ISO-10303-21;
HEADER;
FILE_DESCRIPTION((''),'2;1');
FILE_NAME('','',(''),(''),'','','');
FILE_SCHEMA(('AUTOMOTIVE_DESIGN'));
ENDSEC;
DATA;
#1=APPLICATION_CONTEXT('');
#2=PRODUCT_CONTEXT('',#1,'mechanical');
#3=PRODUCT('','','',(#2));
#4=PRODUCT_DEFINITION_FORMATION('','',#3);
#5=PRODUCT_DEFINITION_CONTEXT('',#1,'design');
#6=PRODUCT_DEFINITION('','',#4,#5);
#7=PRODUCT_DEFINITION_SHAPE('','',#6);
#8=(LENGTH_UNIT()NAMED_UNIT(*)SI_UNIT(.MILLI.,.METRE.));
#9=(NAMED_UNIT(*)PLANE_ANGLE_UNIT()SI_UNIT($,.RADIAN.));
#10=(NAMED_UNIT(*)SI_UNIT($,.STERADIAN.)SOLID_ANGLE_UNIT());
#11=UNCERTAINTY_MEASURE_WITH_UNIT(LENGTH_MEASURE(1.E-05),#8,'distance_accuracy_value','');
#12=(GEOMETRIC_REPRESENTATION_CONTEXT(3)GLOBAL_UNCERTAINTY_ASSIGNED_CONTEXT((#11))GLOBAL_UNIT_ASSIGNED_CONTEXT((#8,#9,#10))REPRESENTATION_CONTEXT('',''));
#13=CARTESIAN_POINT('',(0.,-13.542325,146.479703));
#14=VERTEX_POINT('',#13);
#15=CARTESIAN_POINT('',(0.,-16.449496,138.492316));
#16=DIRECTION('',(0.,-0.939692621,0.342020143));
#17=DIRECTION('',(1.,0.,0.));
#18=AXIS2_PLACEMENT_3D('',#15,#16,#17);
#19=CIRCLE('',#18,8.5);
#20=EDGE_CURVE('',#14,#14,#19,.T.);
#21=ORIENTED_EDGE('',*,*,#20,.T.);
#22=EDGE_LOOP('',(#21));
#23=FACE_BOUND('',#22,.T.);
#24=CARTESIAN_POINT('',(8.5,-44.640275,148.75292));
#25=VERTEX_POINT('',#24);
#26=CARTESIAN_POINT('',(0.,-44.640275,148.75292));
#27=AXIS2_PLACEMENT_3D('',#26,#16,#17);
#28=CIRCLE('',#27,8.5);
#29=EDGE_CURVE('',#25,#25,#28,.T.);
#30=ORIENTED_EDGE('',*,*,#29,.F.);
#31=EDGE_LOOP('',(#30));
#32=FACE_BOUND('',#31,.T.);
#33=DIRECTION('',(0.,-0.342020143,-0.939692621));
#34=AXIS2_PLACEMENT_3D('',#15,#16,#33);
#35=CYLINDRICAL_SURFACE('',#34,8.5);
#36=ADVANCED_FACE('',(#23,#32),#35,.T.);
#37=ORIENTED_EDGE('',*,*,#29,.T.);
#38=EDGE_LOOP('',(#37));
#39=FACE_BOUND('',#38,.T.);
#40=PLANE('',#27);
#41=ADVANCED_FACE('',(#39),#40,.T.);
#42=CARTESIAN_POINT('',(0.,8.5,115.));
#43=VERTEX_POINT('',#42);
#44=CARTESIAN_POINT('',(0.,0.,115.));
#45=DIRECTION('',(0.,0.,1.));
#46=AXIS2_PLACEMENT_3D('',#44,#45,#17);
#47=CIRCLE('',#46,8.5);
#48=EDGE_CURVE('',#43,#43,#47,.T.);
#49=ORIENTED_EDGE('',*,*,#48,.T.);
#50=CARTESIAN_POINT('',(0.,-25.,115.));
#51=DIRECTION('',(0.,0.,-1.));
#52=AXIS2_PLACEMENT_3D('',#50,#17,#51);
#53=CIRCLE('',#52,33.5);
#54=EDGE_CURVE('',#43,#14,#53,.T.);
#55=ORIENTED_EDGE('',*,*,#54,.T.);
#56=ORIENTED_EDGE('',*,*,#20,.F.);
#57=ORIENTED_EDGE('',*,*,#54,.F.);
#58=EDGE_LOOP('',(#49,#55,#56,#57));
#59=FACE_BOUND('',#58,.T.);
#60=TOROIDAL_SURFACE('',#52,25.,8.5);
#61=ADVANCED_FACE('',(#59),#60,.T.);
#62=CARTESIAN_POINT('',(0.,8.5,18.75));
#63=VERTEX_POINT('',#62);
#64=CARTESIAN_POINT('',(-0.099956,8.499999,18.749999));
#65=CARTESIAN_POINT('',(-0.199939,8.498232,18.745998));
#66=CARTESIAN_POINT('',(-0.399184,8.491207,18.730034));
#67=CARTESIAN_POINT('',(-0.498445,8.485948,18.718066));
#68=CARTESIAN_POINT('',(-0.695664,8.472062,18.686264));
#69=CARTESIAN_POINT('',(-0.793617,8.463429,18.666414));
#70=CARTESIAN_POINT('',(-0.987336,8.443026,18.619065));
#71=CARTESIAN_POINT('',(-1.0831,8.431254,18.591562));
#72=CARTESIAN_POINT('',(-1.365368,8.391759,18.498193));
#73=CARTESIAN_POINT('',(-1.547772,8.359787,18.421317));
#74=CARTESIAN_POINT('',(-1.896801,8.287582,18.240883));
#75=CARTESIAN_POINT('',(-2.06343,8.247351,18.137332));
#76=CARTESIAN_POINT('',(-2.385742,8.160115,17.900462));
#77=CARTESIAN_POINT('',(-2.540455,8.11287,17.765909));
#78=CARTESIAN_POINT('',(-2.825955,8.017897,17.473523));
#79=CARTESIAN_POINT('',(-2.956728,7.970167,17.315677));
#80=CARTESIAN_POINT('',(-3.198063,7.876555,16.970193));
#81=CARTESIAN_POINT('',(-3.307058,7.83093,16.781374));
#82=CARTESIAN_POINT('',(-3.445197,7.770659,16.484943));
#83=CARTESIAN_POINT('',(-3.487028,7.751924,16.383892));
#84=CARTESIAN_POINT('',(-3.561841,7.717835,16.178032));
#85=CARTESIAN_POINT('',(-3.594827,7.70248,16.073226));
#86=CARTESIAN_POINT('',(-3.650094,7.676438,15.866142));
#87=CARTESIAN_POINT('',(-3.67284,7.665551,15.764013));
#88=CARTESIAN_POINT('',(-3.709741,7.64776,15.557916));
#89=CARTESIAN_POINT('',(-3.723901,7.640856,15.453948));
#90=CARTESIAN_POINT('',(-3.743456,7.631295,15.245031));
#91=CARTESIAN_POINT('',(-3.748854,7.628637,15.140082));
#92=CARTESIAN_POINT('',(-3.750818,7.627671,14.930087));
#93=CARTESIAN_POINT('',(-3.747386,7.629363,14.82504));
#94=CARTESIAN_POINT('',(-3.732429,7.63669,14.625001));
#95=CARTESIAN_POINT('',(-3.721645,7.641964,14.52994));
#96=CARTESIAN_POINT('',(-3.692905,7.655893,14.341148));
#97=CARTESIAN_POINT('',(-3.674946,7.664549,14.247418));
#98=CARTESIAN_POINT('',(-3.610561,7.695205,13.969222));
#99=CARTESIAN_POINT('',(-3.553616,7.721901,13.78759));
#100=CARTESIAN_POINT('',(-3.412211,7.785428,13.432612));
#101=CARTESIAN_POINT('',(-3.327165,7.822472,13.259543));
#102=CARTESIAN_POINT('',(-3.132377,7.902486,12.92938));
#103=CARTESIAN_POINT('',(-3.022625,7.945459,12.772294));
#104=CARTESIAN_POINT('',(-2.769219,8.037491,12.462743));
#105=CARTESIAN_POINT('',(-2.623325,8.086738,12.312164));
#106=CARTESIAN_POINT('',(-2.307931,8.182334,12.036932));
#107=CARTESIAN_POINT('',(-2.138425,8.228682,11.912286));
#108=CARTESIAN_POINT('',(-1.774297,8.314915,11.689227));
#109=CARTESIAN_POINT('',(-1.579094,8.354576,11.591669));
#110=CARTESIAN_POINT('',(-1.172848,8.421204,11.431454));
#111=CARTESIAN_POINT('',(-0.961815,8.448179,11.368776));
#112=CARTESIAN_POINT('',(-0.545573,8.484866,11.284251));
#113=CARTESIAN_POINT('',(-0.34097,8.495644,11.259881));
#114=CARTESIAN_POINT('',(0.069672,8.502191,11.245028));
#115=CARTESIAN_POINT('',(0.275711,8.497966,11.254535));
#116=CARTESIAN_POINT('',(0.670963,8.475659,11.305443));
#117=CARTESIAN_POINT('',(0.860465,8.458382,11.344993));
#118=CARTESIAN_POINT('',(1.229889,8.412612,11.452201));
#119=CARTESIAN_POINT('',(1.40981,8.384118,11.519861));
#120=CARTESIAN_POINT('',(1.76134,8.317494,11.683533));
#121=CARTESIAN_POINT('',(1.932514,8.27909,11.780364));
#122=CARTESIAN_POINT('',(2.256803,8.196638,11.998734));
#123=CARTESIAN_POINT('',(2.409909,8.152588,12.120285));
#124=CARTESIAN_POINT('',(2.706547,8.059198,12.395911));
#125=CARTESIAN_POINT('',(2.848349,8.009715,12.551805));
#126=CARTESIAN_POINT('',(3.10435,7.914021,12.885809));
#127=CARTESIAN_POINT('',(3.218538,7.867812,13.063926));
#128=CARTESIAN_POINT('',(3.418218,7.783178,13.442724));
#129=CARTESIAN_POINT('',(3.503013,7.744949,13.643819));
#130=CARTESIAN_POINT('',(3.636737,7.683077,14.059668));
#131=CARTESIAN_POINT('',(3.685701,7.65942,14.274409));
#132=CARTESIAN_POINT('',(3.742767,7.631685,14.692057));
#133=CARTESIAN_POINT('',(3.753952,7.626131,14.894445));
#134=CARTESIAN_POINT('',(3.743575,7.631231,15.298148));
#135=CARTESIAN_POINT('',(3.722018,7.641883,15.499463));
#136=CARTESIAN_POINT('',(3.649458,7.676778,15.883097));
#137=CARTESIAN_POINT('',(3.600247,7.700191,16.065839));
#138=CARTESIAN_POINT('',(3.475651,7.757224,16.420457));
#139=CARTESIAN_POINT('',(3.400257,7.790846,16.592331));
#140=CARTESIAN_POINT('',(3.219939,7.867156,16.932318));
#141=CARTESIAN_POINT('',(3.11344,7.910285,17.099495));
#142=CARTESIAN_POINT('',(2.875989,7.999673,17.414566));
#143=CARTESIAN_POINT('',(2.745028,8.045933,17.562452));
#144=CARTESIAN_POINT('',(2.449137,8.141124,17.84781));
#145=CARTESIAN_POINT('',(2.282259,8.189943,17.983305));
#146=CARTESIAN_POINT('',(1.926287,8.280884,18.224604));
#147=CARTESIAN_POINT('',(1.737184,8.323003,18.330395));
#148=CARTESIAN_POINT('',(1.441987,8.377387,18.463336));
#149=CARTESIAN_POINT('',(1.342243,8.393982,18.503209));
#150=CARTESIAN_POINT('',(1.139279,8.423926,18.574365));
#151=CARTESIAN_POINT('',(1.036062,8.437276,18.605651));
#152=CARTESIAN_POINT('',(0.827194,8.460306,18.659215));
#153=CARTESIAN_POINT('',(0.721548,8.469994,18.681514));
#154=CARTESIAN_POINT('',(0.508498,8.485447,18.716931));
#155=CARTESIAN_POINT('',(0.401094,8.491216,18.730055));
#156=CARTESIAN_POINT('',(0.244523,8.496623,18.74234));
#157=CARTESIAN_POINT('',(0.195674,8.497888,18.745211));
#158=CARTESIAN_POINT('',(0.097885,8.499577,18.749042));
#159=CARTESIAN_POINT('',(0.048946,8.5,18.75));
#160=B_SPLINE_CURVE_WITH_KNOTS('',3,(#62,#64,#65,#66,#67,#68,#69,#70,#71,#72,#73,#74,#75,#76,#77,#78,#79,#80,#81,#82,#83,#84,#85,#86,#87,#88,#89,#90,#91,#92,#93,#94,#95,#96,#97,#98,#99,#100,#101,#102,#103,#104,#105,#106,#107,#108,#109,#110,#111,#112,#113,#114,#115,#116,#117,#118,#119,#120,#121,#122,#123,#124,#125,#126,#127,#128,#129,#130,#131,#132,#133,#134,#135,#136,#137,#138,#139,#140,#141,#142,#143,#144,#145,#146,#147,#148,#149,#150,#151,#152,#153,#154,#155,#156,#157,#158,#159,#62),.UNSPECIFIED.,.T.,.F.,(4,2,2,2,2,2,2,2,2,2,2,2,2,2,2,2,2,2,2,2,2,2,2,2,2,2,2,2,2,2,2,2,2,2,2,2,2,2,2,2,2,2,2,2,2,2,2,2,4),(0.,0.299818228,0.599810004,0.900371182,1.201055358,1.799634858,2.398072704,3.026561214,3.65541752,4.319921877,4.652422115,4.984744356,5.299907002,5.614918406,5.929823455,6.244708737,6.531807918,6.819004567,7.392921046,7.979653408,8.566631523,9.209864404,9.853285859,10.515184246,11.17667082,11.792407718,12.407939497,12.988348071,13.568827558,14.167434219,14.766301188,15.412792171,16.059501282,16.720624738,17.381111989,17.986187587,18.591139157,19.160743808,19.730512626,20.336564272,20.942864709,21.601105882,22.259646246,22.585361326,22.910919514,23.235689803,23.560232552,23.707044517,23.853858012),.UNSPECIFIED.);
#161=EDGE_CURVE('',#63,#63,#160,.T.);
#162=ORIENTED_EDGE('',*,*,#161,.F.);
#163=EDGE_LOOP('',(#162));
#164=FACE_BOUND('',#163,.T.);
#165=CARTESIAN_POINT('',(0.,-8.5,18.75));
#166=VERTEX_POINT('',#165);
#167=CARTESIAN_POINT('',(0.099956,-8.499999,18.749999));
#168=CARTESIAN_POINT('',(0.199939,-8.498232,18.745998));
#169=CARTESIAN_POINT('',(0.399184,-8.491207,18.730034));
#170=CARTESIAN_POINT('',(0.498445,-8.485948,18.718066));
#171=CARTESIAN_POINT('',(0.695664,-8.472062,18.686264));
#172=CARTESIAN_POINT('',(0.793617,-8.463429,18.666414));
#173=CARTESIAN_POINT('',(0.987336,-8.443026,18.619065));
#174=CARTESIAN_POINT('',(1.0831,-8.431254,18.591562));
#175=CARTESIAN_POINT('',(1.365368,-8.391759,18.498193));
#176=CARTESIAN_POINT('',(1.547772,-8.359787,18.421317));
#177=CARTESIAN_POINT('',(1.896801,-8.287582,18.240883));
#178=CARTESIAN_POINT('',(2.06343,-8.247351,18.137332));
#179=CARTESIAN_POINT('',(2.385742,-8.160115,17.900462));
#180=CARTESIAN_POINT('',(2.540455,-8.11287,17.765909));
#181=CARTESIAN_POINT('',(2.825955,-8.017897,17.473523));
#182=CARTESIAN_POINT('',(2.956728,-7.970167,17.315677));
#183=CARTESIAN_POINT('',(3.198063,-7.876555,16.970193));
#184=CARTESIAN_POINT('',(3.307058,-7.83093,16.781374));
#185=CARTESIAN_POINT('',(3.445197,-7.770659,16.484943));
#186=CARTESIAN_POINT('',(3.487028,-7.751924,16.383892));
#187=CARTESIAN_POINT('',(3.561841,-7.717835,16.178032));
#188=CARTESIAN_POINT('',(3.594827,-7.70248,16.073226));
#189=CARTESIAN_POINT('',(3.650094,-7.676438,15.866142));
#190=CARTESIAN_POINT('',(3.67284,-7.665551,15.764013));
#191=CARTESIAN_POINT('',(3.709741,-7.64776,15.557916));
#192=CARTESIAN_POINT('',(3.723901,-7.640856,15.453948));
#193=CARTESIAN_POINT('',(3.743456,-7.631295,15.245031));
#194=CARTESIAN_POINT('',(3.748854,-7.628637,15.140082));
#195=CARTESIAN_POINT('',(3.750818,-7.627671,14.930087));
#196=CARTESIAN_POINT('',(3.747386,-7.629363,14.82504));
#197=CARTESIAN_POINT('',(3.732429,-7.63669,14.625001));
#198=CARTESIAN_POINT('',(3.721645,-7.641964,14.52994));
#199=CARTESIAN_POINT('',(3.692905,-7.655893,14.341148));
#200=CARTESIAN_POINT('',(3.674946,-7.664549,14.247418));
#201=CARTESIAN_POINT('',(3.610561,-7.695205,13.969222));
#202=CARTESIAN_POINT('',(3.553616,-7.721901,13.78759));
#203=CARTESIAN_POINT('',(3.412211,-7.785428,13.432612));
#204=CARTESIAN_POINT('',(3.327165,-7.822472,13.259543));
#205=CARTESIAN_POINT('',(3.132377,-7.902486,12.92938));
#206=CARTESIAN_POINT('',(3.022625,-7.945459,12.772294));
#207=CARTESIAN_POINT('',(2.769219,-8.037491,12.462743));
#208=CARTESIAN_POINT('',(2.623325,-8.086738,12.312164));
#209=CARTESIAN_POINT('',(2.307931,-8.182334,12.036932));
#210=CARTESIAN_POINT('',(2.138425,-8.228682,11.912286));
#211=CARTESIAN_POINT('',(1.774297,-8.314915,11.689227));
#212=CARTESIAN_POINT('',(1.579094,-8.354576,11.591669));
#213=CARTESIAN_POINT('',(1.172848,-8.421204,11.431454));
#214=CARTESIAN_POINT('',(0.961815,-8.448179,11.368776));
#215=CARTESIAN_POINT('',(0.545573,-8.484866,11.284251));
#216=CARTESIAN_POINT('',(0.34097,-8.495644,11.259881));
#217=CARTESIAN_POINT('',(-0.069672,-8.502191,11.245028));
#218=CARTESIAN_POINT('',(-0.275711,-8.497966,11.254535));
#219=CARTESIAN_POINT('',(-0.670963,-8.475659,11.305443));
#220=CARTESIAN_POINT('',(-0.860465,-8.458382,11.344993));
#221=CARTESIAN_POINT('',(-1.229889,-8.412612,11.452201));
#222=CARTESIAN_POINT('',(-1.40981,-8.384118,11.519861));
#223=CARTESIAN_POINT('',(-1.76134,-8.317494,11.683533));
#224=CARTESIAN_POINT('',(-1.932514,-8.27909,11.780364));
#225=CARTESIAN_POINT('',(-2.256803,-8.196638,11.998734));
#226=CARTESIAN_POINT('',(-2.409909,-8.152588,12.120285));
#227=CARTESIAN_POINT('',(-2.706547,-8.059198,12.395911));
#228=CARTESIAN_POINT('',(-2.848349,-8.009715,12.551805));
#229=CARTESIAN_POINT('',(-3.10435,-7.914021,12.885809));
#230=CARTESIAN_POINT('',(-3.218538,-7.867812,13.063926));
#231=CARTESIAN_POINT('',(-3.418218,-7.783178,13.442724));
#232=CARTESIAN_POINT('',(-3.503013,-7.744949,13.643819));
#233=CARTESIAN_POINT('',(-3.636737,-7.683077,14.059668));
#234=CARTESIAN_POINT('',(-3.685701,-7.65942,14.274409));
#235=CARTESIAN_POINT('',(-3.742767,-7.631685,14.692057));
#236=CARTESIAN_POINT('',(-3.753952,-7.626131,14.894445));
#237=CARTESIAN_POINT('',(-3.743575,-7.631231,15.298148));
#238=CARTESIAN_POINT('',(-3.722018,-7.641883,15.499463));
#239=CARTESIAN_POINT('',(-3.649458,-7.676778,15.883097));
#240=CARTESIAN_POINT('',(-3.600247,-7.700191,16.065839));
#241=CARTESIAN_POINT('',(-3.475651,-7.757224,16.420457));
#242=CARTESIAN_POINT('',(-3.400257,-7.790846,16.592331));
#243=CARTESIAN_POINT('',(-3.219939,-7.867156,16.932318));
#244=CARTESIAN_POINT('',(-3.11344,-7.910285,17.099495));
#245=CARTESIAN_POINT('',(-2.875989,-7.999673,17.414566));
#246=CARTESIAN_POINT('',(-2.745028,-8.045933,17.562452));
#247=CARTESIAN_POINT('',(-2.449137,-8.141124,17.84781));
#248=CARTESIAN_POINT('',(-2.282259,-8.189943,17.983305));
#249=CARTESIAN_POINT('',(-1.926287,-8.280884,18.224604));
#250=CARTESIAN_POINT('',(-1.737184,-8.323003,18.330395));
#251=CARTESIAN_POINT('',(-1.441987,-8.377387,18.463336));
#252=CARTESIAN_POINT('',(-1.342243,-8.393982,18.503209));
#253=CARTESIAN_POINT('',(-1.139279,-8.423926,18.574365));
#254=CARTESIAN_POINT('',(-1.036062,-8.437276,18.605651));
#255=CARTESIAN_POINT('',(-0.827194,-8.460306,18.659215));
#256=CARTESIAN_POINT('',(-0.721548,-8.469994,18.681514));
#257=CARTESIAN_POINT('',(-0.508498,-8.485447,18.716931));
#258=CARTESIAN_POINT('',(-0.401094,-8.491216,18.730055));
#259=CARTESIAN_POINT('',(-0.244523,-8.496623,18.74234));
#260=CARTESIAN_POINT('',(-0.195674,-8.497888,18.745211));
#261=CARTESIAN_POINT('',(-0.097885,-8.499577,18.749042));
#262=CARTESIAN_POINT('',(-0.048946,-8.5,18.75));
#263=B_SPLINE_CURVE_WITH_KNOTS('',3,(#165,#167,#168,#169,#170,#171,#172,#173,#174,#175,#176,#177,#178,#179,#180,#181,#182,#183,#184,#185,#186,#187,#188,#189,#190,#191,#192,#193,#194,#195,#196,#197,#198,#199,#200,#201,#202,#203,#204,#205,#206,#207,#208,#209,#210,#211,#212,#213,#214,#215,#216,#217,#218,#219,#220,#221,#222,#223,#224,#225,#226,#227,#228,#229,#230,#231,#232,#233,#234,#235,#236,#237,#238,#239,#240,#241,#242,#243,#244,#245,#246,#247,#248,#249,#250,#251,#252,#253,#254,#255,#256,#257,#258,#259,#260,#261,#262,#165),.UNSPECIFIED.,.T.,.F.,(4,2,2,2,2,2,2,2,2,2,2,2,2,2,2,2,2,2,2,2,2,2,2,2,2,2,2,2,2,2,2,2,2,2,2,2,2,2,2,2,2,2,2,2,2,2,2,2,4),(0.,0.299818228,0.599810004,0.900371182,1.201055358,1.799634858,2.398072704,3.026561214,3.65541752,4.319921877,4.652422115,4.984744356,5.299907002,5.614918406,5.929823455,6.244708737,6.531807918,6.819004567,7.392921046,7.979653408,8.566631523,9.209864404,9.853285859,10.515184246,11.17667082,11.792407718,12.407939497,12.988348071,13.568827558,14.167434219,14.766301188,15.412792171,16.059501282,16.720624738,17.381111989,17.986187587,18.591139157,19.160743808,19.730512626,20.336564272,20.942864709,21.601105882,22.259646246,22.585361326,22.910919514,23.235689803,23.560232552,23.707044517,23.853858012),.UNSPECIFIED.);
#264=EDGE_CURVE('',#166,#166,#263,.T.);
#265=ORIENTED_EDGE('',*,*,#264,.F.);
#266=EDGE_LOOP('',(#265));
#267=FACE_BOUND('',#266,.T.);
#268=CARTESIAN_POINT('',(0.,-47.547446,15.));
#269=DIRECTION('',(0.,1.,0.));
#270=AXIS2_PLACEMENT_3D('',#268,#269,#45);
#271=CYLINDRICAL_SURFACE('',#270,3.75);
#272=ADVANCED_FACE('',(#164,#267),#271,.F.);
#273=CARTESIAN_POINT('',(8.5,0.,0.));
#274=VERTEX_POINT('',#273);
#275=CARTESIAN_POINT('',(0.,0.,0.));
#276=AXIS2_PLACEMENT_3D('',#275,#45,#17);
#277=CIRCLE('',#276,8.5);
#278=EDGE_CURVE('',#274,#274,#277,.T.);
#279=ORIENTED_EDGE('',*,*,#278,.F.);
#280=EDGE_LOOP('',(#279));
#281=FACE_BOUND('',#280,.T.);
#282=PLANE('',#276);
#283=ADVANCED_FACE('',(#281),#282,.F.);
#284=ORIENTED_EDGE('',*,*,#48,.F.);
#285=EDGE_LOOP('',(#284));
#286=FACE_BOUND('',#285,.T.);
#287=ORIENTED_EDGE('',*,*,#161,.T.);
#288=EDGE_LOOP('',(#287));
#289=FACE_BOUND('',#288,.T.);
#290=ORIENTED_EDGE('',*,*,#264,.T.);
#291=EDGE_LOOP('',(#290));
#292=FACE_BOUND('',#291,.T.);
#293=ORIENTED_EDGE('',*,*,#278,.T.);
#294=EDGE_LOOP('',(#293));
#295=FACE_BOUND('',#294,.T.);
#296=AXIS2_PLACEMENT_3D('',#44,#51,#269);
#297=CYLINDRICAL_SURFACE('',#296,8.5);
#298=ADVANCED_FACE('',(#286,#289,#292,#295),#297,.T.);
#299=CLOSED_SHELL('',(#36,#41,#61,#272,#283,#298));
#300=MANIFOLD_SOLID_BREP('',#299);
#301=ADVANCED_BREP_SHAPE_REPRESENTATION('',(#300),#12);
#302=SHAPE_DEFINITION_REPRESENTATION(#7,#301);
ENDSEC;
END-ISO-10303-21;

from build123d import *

# Parameters (mm, degrees)
SKETCH2_R               = 8.5
CUT_EXTRUDE1_DEPTH      = 165.013821113
CUT_EXTRUDE1_DEPTH_BACK = 165.013821113
SKETCH3_R               = 3.75


with BuildPart() as part:
    # Sweep1: sweep along a path in Sketch1
    with BuildLine(Plane(origin=(0, 0, 0), x_dir=(0, 0, -1), z_dir=(1, 0, 0))) as sweep1_path:
        Line((0, 0), (-115, 0))
        ThreePointArc((-115, 0), (-129.339410909, -4.521198893), (-138.49231552, -16.449496417))
        Line((-138.49231552, -16.449496417), (-148.752919819, -44.64027504))
    # Sketch2 → Sweep1 (sweep)
    with BuildSketch(Plane.XY):
        Circle(SKETCH2_R)
    sweep(path=sweep1_path.line)

    # Sketch3 → Cut-Extrude1 (cut, two sides: drawn at the far end of the back side and taken through both)
    with BuildSketch(Plane(origin=(0, 0, 0), x_dir=(1, 0, 0), z_dir=(0, 1, 0)).offset(-CUT_EXTRUDE1_DEPTH_BACK)):
        with Locations(Location((0, -15, 0), (0, 0, 270))):
            Circle(SKETCH3_R)
    extrude(amount=CUT_EXTRUDE1_DEPTH + CUT_EXTRUDE1_DEPTH_BACK, mode=Mode.SUBTRACT)


solid = part.part
